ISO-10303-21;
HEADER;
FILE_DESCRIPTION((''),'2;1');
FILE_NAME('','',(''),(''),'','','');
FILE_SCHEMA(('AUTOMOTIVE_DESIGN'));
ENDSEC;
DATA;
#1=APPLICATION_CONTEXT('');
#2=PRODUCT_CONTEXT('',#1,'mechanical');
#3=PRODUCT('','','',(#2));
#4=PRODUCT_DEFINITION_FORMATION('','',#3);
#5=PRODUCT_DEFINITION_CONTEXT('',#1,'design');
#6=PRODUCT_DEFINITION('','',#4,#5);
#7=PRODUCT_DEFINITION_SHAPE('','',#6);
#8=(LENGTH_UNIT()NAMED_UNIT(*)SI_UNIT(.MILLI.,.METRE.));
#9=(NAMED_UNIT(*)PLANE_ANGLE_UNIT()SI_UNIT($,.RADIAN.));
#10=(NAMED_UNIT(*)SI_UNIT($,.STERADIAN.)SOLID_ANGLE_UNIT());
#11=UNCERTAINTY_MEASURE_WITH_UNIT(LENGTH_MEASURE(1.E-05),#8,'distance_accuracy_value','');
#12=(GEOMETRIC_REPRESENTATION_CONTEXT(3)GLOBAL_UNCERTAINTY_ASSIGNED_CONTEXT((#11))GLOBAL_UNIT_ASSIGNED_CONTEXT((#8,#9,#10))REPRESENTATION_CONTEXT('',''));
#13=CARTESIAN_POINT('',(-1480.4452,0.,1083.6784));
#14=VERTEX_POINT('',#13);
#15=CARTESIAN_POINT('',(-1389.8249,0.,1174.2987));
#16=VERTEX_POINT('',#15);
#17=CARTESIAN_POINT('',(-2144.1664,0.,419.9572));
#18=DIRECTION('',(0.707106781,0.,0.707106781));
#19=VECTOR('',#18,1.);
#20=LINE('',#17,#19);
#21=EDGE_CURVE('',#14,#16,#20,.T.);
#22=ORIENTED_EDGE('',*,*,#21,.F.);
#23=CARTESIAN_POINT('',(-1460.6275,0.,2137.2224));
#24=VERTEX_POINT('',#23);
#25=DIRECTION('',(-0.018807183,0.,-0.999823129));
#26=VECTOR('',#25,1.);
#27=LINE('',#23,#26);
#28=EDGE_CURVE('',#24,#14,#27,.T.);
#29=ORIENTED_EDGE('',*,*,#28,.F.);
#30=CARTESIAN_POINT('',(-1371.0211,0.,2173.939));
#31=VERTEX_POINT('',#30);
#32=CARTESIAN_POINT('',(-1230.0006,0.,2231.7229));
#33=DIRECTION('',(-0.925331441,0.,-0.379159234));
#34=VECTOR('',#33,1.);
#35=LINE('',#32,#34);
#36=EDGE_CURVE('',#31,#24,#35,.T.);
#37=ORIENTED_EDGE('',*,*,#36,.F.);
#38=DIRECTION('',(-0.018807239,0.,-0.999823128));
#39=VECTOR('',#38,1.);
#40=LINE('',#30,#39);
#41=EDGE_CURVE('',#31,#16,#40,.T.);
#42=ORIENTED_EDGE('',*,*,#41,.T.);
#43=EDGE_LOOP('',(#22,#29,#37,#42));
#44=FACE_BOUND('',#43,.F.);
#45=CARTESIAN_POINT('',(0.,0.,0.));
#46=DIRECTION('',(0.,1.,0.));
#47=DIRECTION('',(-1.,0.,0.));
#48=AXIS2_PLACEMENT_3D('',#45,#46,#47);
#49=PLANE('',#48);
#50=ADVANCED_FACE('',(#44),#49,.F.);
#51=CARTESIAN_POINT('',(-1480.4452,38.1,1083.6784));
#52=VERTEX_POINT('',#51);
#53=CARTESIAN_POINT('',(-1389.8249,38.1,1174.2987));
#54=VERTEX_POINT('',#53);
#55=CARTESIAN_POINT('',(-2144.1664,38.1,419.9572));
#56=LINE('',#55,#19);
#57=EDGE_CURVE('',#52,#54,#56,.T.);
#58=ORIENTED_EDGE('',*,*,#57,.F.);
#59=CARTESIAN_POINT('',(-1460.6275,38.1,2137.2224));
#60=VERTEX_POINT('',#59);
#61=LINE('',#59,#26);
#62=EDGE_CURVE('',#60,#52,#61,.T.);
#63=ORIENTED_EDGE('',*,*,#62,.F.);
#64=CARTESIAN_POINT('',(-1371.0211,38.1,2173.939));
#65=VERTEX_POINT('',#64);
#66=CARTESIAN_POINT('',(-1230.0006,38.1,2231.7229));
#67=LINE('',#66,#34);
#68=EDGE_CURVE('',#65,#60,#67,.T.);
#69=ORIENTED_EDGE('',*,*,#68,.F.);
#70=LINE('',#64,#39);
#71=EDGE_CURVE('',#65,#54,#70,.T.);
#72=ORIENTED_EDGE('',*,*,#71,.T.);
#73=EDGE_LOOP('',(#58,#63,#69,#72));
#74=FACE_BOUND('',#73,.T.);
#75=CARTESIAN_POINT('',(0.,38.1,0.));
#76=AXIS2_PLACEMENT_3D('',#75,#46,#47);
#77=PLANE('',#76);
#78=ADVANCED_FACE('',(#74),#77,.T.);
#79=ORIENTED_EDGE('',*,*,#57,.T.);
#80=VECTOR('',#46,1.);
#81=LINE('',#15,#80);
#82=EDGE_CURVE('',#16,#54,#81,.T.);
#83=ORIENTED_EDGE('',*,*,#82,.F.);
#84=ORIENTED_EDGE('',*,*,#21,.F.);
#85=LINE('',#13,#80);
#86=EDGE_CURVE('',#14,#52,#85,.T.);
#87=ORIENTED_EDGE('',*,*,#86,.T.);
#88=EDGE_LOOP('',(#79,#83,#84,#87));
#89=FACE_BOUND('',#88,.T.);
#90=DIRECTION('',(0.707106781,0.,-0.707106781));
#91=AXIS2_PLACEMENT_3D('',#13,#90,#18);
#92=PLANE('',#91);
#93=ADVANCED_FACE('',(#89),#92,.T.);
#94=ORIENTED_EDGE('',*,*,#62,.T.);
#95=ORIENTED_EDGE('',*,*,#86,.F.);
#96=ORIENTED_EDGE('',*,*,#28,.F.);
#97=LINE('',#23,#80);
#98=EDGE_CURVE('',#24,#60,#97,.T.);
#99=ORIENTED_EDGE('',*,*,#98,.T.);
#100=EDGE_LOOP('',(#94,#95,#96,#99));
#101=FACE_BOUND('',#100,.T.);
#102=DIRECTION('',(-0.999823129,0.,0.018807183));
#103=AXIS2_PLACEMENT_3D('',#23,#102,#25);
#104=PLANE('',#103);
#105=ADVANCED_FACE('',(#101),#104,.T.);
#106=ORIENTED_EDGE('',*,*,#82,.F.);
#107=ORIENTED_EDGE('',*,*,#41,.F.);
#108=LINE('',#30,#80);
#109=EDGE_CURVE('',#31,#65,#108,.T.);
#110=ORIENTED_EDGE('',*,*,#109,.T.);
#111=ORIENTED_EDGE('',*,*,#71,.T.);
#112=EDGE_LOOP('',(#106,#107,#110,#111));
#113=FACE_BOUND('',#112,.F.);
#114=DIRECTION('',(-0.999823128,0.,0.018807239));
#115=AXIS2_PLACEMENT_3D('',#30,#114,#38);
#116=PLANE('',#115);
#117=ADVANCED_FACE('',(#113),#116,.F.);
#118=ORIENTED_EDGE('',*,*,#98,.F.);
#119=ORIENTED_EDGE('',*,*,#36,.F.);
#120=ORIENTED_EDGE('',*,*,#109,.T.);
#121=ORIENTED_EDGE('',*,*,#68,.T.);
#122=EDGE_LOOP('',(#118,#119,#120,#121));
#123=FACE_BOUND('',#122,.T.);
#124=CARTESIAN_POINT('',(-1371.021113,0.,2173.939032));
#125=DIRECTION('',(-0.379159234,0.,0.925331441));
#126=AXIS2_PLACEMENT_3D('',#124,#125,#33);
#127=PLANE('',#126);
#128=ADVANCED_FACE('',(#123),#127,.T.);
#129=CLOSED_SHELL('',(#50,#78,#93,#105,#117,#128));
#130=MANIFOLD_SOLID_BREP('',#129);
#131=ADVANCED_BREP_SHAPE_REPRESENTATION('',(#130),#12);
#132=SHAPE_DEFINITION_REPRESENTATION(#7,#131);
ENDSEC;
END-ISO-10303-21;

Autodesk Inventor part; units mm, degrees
ref_plane "YZ Plane" through (0, 0, 0) normal (1, 0, 0) x (0, 1, 0)
ref_plane "XZ Plane" through (0, 0, 0) normal (0, 1, 0) x (-1, 0, 0)
ref_plane "XY Plane" through (0, 0, 0) normal (0, 0, 1) x (1, 0, 0)
sketch "Sketch1" plane through (0, 0, 0) normal (0, 1, 0) x (-1, 0, 0)
  line L0 (0, 0) -> (0, -1219.2)
  line L1 (0, 0) -> (88.9, 0)
  line L2 (88.9, 0) -> (88.9, -1219.2)
  line L3 (88.9, -1219.2) -> (0, -1219.2)
  line L4 (0, 0) -> (0, 1219.2) construction
  line L5 (0, 1219.2) -> (1219.2, 1219.2) construction
  line L6 (0, 1219.2) -> (0, 3657.6) construction
  line L7 (0, 3657.6) -> (0, 4876.8) construction
  line L8 (0, 4876.8) -> (0, 6096) construction
  line L9 (0, -1219.2) -> (2438.4, -1219.2) construction
  line L10 (0, 6096) -> (2438.4, 6096) construction
  line L11 (2438.4, 6096) -> (2438.4, -1219.2) construction
  line L12 (0, 3657.6) -> (0, 3352.8) construction
  line L13 (0, 3352.8) -> (2438.4, 3352.8) construction
  line L14 (2438.4, 3352.8) -> (1219.2, 3352.8)
  line L15 (1219.2, 3352.8) -> (1219.2, 3263.9)
  line L16 (1219.2, 3263.9) -> (2438.4, 3263.9)
  line L17 (2438.4, 3263.9) -> (2438.4, 3352.8)
  line L18 (0, 6096) -> (862.1046, 6958.1046)
  line L19 (862.1046, 6958.1046) -> (924.9664, 6895.2428)
  line L20 (924.9664, 6895.2428) -> (62.8618, 6033.1382)
  line L21 (62.8618, 6033.1382) -> (0, 6096)
  line L22 (0, 4876.8) -> (1219.2, 4876.8) construction
  line L23 (1219.2, 4876.8) -> (2081.3046, 5738.9046)
  line L24 (1219.2, 1219.2) -> (2081.3046, 357.0954)
  line L25 (2081.3046, 357.0954) -> (2018.4428, 294.2336)
  line L26 (2018.4428, 294.2336) -> (1156.3382, 1156.3382)
  line L27 (1156.3382, 1156.3382) -> (1219.2, 1219.2)
  line L28 (2018.4428, 294.2336) -> (88.9, -1219.2)
  line L29 (2081.3046, 357.0954) -> (2144.1664, 419.9572)
  line L30 (2144.1664, 419.9572) -> (1282.0618, 1282.0618)
  line L31 (1282.0618, 1282.0618) -> (1219.2, 1219.2)
  line L32 (2438.4, 3352.8) -> (2438.4, 3441.7)
  line L33 (2438.4, 3441.7) -> (1219.2, 3441.7)
  line L34 (1219.2, 3441.7) -> (1219.2, 3352.8)
  line L35 (1156.3382, 4939.6618) -> (1282.0618, 4813.9382)
  line L36 (2018.4428, 5801.7664) -> (2144.1664, 5676.0428)
  line L37 (1282.0618, 4813.9382) -> (2144.1664, 5676.0428)
  line L38 (2018.4428, 5801.7664) -> (1156.3382, 4939.6618)
  line L39 (2018.4428, 5801.7664) -> (924.9664, 6895.2428)
  line L40 (62.8618, 6033.1382) -> (1156.3382, 4939.6618)
  line L41 (1233.6206, 4168.8855) -> (1267.6412, 4086.7527)
  line L42 (1263.7078, 2313.9849) -> (1230.0006, 2231.7229)
  arc A0 (862.1046, 6958.1046) -> (0, 6096) centre (431.0523, 6527.0523) ccw
  line L43 (1246.8542, 2272.8539) -> (2375.0183, 1810.583)
  line L44 (2391.8719, 1851.7139) -> (2358.1646, 1769.452)
  line L45 (2391.8719, 1851.7139) -> (1263.7078, 2313.9849)
  line L46 (1230.0006, 2231.7229) -> (2358.1646, 1769.452)
  line L47 (1230.0006, 2231.7229) -> (1219.2, 3263.9)
  line L48 (2144.1664, 419.9572) -> (2391.8719, 1851.7139)
  line L49 (2391.8719, 1851.7139) -> (2438.4, 3263.9)
  line L50 (1219.2, 3441.7) -> (1233.6206, 4168.8855)
  line L51 (1250.6309, 4127.8191) -> (2377.0248, 4594.3867)
  line L52 (2360.0145, 4635.4532) -> (2394.0351, 4553.3203)
  line L53 (2394.0351, 4553.3203) -> (1267.6412, 4086.7527)
  line L54 (2360.0145, 4635.4532) -> (1233.6206, 4168.8855)
  line L55 (2394.0351, 4553.3203) -> (2144.1664, 5676.0428)
  line L56 (2438.4, 3441.7) -> (2394.0351, 4553.3203)
  line L57 (2144.1664, 5676.0428) -> (2057.3895, 5656.7301)
  line L58 (2394.0351, 4553.3203) -> (2305.2058, 4549.7751)
  line L59 (2394.0351, 4553.3203) -> (2307.2582, 4534.0076)
  line L60 (2307.2582, 4534.0076) -> (2057.3895, 5656.7301)
  line L61 (2438.4, 3441.7) -> (2349.5707, 3438.1548)
  line L62 (2349.5707, 3438.1548) -> (2305.2058, 4549.7751)
  line L63 (1219.2, 3441.7) -> (1308.0825, 3439.9374)
  line L64 (1233.6206, 4168.8855) -> (1322.5031, 4167.1229)
  line L65 (1322.5031, 4167.1229) -> (1308.0825, 3439.9374)
  line L66 (2018.4428, 5801.7664) -> (1955.581, 5738.9046)
  line L67 (1955.581, 5738.9046) -> (862.1046, 6832.381)
  line L68 (924.9664, 6895.2428) -> (862.1046, 6832.381)
  line L69 (62.8618, 6033.1382) -> (125.7236, 6096)
  line L70 (62.8618, 6033.1382) -> (125.7236, 6096)
  line L71 (125.7236, 6096) -> (1219.2, 5002.5236)
  line L72 (1156.3382, 1156.3382) -> (0, 0)
  line L73 (0, 0) -> (62.8618, -62.8618)
  line L74 (1156.3382, 1156.3382) -> (1219.2, 1093.4764)
  line L75 (1219.2, 1093.4764) -> (62.8618, -62.8618)
  line L76 (2018.4428, 294.2336) -> (1963.5776, 364.1837)
  line L77 (88.9, -1219.2) -> (34.0348, -1149.2499)
  line L78 (34.0348, -1149.2499) -> (1963.5776, 364.1837)
  line L79 (2144.1664, 419.9572) -> (2056.5677, 435.1125)
  line L80 (2391.8719, 1851.7139) -> (2304.2732, 1866.8692)
  line L81 (2391.8719, 1851.7139) -> (2303.0201, 1854.6414)
  line L82 (2304.2732, 1866.8692) -> (2056.5677, 435.1125)
  line L83 (1230.0006, 2231.7229) -> (1318.8957, 2232.6531)
  line L84 (1219.2, 3263.9) -> (1308.0951, 3264.8302)
  line L85 (1308.0951, 3264.8302) -> (1318.8957, 2232.6531)
  line L86 (2438.4, 3263.9) -> (2349.5482, 3266.8275)
  line L87 (2349.5482, 3266.8275) -> (2303.0201, 1854.6414)
  line L88 (88.9, 0) -> (125.7236, 0)
  line L89 (1233.6206, 4168.8855) -> (1219.2, 4876.8)
  line L90 (1233.6206, 4168.8855) -> (1322.5022, 4170.6961)
  line L91 (1219.2, 4876.8) -> (1308.0816, 4878.6106)
  line L92 (1308.0816, 4878.6106) -> (1322.5022, 4170.6961)
  line L93 (1282.0618, 4813.9382) -> (1309.9674, 4786.0326)
  line L94 (1267.6412, 4086.7527) -> (1318.4756, 3964.0275)
  line L95 (2360.0145, 4635.4532) -> (2374.4273, 4641.4231)
  line L96 (1230.0006, 2231.7229) -> (1219.2, 1219.2)
  line L97 (1230.0006, 2231.7229) -> (1318.8955, 2230.7747)
  line L98 (1219.2, 1219.2) -> (1308.0949, 1218.2518)
  line L99 (1308.0949, 1218.2518) -> (1318.8955, 2230.7747)
  line L100 (1282.0618, 1282.0618) -> (1309.0636, 1309.0636)
  line L101 (1263.7078, 2313.9849) -> (1316.7428, 2438.4)
  line L102 (2358.1646, 1769.452) -> (2376.5379, 1763.082)
  line L103 (2286, 3352.8) -> (1371.6, 3352.8)
  line L104 (2286, 3441.7) -> (2286, 3263.9)
  line L105 (1371.6, 3441.7) -> (1371.6, 3263.9)
  line L106 (0, -152.4) -> (0, -1066.8)
  line L107 (0, -152.4) -> (88.9, -152.4)
  line L108 (0, -1066.8) -> (88.9, -1066.8)
  line L109 (1326.9631, 1111.4369) -> (1973.5415, 464.8585)
  line L110 (2036.4033, 527.7203) -> (1910.6797, 401.9967)
  line L111 (1389.8249, 1174.2987) -> (1264.1013, 1048.5751)
  line L112 (2233.9978, 1868.3668) -> (1387.8747, 2215.07)
  line L113 (1404.7283, 2256.201) -> (1371.0211, 2173.939)
  line L114 (2250.8514, 1909.4978) -> (2217.1441, 1827.2358)
  line L115 (1371.0211, 2173.939) -> (1389.8249, 1174.2987)
  line L116 (1264.1013, 1048.5751) -> (88.9, -152.4)
  line L117 (2217.1441, 1827.2358) -> (2036.4033, 527.7203)
  line L118 (1910.6797, 401.9967) -> (88.9, -1066.8)
  line L119 (88.9, -1066.8) -> (33.1016, -997.592)
  line L120 (1910.6797, 401.9967) -> (1854.8813, 471.2047)
  line L121 (1854.8813, 471.2047) -> (33.1016, -997.592)
  line L122 (88.9, -152.4) -> (0, -243.2497)
  line L123 (0, -243.2497) -> (63.5399, -305.426)
  line L124 (1263.7078, 1048.9686) -> (1327.2477, 986.7923)
  line L125 (1327.2477, 986.7923) -> (88.9, -278.7141)
  line L126 (1389.8249, 1174.2987) -> (1392.2351, 1046.1649)
  line L127 (1392.2351, 1046.1649) -> (1481.1194, 1047.8368)
  line L128 (1371.0211, 2173.939) -> (1459.9053, 2175.611)
  line L129 (1459.9053, 2175.611) -> (1460.6275, 2137.2224)
  line L130 (2036.4033, 527.7203) -> (1948.3509, 539.9669)
  line L131 (2217.1441, 1827.2358) -> (2223.465, 1872.6827)
  line L132 (2223.465, 1872.6827) -> (2135.4126, 1884.9293)
  line L133 (2135.4126, 1884.9293) -> (2132.2278, 1862.0307)
  line L134 (88.9, -278.7141) -> (63.1422, -305.0368)
  line L135 (2132.2278, 1862.0307) -> (1948.3509, 539.9669)
  line L136 (1480.4452, 1083.6784) -> (1481.1194, 1047.8368)
  line L137 (1460.6275, 2137.2224) -> (1480.4452, 1083.6784)
  point P0 (1955.1236, 357.5528)
  point P1 (88.9, -1106.2164)
  point P2 (2292.1025, 1796.5213)
  point P3 (2067.2525, 496.8711)
  point P4 (1318.5187, 2195.4522)
  point P5 (1308.1049, 3263.9)
  point P6 (2349.4518, 3263.9)
  point P7 (2304.1085, 1887.6754)
  point P8 (2306.5112, 4517.0667)
  point P9 (2349.4292, 3441.7)
  point P10 (1308.1175, 3441.7)
  point P11 (2069.6708, 5601.5472)
  point P12 (2291.0394, 4606.8827)
  point P13 (1321.7951, 4205.4086)
  point P14 (1828.8, 3352.8)
  point P15 (0, -609.6)
  point P16 (1650.2523, 788.1477)
  point P17 (1810.9362, 2041.7184)
  point P18 (88.9, -278.7141)
  point P19 (1326.5733, 986.1031)
  point P20 (1957.6068, 606.5167)
  point P21 (1957.6068, 606.5167)
  point P22 (1480.4452, 1083.6784)
  dimension "d0" = 1219.2
  dimension "d2" = 1219.2
  dimension "d3" = 1219.2
  dimension "d16" = 2438.4
  dimension "d17" = 1219.2
  dimension "d18" = 1219.2
  dimension "d20" = 2438.4
  dimension "d21" = 304.8
  dimension "d22" = 1219.2
  dimension "d23" = 88.9
  dimension "d24" = 1219.2
  dimension "d25" = 45
  dimension "d26" = 88.9
  dimension "d27" = 1219.2
  dimension "d28" = 1219.2
  dimension "d29" = 1219.2
  dimension "d31" = 1219.2
  dimension "d32" = 88.9
  dimension "d33" = 88.9
  dimension "d34" = 88.9
  dimension "d35" = 177.8
  dimension "d36" = 177.8
  dimension "d38" = 88.9
  dimension "d39" = 88.9
  dimension "d43" = 1219.2
  dimension "d44" = 88.9
  dimension "d45" = 1219.2
  dimension "d46" = 88.9
  dimension "d47" = 88.9
  dimension "d48" = 88.9
  dimension "d49" = 88.9
  dimension "d50" = 88.9
  dimension "d51" = 88.9
  dimension "d54" = 88.9
  dimension "d55" = 88.9
  dimension "d57" = 88.9
  dimension "d58" = 88.9
  dimension "d59" = 88.9
  dimension "d60" = 88.9
  dimension "d61" = 88.9
  dimension "d64" = 88.9
  dimension "d65" = 88.9
  dimension "d66" = 88.9
  dimension "d69" = 88.9
  dimension "d70" = 88.9
  dimension "d71" = 88.9
  dimension "d72" = 88.9
  dimension "d73" = 914.4
  dimension "d74" = 914.4
  dimension "d75" = 914.4
  dimension "d76" = 914.4
  dimension "d77" = 88.9
  dimension "d78" = 88.9
  dimension "d79" = 88.9
  dimension "d80" = 88.9
  dimension "d83" = 88.9
  dimension "d84" = 88.9
  dimension "d85" = 88.9
  dimension "d86" = 88.9
extrude "Extrusion2" add sketch "Sketch1" along normal blind 38.1 contours L115 L46 L137 L30
properties part number "S_2x4x42.997"
